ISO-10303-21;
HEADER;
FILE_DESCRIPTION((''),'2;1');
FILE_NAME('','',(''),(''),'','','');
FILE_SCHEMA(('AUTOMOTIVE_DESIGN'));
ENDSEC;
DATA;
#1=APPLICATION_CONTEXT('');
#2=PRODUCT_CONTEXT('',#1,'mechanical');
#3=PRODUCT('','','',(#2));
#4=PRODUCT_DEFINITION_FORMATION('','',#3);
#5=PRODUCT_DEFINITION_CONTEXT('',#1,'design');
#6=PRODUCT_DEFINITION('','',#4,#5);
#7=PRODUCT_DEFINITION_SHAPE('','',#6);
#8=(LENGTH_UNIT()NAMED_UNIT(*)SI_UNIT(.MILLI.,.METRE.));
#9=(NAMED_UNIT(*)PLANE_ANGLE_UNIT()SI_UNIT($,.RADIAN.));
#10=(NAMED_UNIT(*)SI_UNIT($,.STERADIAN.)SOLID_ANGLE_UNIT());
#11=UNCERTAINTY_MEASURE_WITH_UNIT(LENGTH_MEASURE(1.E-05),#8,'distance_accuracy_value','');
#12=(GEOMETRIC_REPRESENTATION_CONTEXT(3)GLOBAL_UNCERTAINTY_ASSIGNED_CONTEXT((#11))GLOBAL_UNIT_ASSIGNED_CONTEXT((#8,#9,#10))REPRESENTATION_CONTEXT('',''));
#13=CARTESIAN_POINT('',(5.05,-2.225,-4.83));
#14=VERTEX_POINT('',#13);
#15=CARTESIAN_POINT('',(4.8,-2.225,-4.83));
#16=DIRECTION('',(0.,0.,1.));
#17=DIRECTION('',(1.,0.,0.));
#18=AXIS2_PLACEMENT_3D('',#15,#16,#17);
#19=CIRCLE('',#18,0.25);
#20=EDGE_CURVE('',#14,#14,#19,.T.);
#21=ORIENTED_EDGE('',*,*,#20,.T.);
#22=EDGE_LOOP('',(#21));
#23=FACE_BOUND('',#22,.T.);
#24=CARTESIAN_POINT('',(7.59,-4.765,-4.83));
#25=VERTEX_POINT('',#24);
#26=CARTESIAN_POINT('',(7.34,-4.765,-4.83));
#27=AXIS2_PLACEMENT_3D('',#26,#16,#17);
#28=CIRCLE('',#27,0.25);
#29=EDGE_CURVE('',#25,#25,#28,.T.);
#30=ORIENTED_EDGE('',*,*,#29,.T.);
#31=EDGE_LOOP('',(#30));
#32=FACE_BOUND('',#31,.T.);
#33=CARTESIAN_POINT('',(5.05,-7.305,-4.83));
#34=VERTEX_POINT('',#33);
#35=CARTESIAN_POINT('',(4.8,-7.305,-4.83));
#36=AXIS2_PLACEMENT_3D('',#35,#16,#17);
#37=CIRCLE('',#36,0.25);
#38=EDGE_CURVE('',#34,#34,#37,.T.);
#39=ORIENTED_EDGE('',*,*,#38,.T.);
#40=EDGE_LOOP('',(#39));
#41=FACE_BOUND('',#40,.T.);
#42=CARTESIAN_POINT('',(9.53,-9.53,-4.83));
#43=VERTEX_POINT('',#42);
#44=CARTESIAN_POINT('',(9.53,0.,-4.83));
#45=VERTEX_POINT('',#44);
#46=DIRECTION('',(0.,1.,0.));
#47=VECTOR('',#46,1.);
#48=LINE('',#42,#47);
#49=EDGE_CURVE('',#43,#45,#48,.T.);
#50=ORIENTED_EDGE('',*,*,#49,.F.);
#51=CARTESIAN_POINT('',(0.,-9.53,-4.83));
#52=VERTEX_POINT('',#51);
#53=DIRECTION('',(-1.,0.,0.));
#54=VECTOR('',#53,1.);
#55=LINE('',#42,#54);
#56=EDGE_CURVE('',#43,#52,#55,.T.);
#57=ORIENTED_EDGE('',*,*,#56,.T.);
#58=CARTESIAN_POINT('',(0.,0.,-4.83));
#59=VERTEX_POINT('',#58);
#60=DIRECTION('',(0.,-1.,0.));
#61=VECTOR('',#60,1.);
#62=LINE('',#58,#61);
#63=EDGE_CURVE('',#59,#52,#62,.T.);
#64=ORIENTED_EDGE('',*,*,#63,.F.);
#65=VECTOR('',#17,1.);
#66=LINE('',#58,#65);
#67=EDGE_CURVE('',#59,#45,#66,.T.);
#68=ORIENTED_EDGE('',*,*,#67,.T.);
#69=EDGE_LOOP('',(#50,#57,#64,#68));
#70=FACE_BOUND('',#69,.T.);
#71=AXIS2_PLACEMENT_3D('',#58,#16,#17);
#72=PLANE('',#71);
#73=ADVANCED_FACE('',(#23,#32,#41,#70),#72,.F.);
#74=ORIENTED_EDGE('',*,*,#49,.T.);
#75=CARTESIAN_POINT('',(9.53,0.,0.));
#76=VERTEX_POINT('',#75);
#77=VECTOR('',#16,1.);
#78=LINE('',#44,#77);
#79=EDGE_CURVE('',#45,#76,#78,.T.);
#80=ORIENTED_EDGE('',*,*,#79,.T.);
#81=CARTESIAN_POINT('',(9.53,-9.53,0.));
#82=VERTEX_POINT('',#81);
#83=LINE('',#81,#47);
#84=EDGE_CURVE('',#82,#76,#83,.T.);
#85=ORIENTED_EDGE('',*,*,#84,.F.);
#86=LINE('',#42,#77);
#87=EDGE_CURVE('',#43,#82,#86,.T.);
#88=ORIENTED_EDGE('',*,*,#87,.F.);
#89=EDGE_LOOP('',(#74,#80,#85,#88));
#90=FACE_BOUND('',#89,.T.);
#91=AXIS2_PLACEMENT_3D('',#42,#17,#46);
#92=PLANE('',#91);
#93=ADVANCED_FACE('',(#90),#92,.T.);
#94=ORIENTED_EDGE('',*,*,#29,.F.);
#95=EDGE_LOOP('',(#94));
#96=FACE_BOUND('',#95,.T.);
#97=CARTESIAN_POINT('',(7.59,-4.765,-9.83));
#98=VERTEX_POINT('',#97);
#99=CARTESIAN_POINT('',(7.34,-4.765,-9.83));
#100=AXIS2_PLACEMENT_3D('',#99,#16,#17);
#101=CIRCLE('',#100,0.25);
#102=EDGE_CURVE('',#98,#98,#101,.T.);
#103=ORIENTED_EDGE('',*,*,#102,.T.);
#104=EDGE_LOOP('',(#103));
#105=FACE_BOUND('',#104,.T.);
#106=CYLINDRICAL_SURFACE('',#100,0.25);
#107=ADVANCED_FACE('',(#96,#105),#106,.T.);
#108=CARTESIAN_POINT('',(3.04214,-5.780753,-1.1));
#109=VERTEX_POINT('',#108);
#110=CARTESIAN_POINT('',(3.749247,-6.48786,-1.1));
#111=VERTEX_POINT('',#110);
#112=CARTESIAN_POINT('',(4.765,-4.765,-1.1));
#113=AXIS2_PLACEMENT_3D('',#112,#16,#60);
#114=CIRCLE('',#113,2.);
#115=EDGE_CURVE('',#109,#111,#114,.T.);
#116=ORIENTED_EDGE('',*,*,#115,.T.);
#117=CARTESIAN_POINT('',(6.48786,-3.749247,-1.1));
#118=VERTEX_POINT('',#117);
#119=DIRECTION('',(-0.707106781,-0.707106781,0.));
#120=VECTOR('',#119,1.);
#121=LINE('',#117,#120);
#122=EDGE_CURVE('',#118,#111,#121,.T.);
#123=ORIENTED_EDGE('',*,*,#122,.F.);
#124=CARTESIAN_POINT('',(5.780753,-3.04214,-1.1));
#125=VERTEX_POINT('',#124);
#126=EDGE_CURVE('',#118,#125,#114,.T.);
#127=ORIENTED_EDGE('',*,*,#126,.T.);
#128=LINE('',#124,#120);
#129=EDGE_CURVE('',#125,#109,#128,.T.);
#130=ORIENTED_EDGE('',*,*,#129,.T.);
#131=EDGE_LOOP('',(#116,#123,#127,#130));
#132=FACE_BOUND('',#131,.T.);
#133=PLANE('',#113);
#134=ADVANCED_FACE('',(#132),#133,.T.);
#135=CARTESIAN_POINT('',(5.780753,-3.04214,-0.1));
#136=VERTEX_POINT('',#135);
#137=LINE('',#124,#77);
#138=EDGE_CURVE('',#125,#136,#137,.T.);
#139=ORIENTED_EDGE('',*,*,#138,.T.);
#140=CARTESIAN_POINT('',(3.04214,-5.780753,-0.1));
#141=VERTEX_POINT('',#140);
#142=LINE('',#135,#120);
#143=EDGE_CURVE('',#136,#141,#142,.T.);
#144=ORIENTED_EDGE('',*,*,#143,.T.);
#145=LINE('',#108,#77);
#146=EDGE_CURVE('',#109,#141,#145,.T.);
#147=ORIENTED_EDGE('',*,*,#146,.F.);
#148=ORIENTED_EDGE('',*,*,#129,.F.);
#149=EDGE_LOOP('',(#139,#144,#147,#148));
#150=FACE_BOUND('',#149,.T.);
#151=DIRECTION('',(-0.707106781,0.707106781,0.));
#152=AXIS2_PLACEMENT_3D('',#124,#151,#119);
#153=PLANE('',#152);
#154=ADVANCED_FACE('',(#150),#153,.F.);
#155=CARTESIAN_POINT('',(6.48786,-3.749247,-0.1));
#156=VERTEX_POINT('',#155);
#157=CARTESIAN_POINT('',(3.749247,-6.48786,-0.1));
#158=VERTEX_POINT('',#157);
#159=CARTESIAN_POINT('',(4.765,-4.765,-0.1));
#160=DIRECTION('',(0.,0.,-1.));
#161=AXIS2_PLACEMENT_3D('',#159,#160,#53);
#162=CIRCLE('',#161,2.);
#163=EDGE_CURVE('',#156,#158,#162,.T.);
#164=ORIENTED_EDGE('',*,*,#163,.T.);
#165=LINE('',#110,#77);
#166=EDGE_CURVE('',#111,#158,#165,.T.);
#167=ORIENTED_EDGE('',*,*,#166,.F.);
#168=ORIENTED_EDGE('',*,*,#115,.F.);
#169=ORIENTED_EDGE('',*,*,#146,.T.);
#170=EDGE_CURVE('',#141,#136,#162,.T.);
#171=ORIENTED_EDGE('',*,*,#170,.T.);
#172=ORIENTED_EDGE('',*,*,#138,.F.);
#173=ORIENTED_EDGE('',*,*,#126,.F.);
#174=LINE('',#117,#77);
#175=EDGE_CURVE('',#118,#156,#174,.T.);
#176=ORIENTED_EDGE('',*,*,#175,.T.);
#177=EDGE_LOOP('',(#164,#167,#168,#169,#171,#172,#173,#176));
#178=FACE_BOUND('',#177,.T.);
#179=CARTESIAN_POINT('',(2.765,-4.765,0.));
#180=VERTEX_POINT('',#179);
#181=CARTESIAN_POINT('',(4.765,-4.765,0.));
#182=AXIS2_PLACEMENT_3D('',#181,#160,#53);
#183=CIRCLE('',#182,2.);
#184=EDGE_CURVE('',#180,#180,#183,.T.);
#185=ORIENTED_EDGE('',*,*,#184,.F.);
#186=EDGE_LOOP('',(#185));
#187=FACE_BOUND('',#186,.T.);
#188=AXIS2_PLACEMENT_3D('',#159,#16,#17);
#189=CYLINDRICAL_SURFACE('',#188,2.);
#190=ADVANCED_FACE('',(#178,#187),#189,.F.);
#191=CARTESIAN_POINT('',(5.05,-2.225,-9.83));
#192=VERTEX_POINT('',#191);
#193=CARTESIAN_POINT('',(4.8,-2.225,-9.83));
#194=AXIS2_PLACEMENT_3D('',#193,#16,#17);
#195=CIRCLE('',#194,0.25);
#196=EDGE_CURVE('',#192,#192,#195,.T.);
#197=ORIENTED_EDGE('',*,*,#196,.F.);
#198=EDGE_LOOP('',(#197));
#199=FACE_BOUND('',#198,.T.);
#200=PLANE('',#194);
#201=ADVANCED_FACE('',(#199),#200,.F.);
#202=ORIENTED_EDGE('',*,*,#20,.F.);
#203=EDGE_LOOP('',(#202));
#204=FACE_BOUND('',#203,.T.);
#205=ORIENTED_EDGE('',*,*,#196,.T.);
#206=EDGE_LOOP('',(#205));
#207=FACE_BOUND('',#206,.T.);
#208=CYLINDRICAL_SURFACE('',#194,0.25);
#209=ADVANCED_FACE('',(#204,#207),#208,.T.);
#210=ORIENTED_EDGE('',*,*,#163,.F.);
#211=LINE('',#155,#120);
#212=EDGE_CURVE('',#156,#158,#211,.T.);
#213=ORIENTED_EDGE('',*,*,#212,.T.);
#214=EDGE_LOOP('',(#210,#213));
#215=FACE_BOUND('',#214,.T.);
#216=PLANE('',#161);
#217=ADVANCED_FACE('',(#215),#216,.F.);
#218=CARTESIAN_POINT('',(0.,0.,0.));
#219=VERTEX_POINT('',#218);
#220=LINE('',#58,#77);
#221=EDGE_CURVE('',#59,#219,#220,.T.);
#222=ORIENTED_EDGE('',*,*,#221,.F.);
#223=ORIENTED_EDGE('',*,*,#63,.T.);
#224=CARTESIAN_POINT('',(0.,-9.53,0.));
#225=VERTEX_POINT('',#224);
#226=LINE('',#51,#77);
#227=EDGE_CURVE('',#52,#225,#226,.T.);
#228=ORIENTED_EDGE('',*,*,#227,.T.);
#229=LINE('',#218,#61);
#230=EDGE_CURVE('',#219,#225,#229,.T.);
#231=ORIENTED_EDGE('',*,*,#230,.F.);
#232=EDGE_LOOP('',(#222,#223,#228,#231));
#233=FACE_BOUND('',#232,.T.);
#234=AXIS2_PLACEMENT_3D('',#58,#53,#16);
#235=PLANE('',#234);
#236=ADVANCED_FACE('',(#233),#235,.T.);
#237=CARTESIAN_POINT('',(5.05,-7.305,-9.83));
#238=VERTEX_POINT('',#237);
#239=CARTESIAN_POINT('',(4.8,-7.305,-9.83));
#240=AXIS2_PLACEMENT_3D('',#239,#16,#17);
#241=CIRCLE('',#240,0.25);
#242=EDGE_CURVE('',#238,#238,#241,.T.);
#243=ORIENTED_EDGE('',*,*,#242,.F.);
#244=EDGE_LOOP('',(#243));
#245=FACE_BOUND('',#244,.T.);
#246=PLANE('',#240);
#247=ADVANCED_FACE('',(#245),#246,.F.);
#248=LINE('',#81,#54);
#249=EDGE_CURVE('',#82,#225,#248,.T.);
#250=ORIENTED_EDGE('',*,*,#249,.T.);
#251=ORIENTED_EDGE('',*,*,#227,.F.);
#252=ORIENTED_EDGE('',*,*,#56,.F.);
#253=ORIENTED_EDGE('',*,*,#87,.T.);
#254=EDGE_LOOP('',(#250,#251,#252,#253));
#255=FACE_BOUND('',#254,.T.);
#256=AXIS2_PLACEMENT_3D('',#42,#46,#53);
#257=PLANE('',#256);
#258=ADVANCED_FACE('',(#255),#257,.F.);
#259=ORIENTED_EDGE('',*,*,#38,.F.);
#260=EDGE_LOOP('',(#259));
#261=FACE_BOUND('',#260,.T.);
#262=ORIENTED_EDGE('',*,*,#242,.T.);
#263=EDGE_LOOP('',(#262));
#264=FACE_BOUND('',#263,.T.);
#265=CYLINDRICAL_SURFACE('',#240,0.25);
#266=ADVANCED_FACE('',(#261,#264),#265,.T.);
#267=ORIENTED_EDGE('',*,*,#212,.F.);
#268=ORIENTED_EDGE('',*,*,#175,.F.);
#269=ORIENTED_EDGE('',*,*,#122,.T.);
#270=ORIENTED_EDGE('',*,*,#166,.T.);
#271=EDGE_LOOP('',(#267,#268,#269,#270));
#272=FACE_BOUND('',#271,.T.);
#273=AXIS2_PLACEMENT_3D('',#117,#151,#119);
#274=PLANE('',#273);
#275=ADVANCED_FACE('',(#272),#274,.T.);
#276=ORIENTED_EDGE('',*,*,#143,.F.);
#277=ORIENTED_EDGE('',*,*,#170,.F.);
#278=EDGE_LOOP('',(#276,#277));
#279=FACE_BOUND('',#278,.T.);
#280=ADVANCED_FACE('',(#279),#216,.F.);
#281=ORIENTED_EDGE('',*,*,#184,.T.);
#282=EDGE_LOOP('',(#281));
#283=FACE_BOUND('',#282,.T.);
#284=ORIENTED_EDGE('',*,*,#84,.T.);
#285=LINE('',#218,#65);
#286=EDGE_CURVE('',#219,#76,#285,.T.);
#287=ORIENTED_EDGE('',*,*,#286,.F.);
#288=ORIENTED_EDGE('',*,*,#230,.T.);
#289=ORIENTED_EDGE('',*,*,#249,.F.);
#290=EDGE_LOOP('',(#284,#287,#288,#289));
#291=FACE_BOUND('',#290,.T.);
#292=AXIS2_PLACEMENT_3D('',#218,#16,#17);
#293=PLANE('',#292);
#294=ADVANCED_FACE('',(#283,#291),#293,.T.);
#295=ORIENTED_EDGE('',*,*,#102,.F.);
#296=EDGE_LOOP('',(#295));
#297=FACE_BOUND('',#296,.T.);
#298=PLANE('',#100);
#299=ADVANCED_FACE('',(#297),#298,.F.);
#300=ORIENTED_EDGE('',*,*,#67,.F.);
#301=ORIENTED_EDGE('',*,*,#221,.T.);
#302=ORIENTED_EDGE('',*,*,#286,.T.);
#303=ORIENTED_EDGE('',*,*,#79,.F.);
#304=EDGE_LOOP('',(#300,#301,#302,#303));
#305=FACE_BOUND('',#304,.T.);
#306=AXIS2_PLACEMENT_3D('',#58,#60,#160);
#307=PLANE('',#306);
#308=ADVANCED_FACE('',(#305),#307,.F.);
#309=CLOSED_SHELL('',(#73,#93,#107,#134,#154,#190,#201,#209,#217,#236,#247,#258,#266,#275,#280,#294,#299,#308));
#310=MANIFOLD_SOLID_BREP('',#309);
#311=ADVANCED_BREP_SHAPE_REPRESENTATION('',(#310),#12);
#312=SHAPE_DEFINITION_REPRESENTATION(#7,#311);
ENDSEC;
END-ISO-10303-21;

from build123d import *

# Parameters (mm, degrees)
SKETCH1_W           = 9.53
SKETCH1_H           = 9.53
BASIC_SHAPE_DEPTH   = 4.83
SKETCH2_R           = 0.25
PINS_DEPTH          = 5
SKETCH3_R           = 2
ADJUSTER_DEPTH      = 0.1
ADJUSTER_SLOT_DEPTH = 1


with BuildPart() as part:
    # Sketch1 → Basic Shape (new body)
    with BuildSketch(Plane(origin=(0, 0, 0), x_dir=(1, 0, 0), z_dir=(0, 0, -1))):
        with Locations((4.765, 4.765)):
            Rectangle(SKETCH1_W, SKETCH1_H)
    extrude(amount=BASIC_SHAPE_DEPTH)

    # Sketch2 → Pins (add)
    with BuildSketch(Plane.XY.offset(-4.83)):
        with Locations((4.8, -7.305)):
            Circle(SKETCH2_R)
        with Locations((4.8, -2.225)):
            Circle(SKETCH2_R)
        with Locations((7.34, -4.765)):
            Circle(SKETCH2_R)
    extrude(amount=-PINS_DEPTH)

    # Sketch3 → Adjuster (cut)
    with BuildSketch(Plane(origin=(0, 0, 0), x_dir=(-1, 0, 0), z_dir=(0, 0, -1))):
        with Locations((-4.765, -4.765)):
            Circle(SKETCH3_R)
    extrude(amount=ADJUSTER_DEPTH, mode=Mode.SUBTRACT)

    # Sketch4 → Adjuster Slot (cut)
    with BuildSketch(Plane(origin=(0, 0, -0.1), x_dir=(-1, 0, 0), z_dir=(0, 0, 1))):
        with BuildLine():
            Line((-6.487859784, 3.749246997), (-3.749246997, 6.487859784))
            ThreePointArc((-3.749246997, 6.487859784), (-3.350786438, 6.179213562), (-3.042140216, 5.780753003))
            Line((-3.042140216, 5.780753003), (-5.780753003, 3.042140216))
            ThreePointArc((-5.780753003, 3.042140216), (-6.179213562, 3.350786438), (-6.487859784, 3.749246997))
        make_face()
    extrude(amount=-ADJUSTER_SLOT_DEPTH, mode=Mode.SUBTRACT)


solid = part.part
